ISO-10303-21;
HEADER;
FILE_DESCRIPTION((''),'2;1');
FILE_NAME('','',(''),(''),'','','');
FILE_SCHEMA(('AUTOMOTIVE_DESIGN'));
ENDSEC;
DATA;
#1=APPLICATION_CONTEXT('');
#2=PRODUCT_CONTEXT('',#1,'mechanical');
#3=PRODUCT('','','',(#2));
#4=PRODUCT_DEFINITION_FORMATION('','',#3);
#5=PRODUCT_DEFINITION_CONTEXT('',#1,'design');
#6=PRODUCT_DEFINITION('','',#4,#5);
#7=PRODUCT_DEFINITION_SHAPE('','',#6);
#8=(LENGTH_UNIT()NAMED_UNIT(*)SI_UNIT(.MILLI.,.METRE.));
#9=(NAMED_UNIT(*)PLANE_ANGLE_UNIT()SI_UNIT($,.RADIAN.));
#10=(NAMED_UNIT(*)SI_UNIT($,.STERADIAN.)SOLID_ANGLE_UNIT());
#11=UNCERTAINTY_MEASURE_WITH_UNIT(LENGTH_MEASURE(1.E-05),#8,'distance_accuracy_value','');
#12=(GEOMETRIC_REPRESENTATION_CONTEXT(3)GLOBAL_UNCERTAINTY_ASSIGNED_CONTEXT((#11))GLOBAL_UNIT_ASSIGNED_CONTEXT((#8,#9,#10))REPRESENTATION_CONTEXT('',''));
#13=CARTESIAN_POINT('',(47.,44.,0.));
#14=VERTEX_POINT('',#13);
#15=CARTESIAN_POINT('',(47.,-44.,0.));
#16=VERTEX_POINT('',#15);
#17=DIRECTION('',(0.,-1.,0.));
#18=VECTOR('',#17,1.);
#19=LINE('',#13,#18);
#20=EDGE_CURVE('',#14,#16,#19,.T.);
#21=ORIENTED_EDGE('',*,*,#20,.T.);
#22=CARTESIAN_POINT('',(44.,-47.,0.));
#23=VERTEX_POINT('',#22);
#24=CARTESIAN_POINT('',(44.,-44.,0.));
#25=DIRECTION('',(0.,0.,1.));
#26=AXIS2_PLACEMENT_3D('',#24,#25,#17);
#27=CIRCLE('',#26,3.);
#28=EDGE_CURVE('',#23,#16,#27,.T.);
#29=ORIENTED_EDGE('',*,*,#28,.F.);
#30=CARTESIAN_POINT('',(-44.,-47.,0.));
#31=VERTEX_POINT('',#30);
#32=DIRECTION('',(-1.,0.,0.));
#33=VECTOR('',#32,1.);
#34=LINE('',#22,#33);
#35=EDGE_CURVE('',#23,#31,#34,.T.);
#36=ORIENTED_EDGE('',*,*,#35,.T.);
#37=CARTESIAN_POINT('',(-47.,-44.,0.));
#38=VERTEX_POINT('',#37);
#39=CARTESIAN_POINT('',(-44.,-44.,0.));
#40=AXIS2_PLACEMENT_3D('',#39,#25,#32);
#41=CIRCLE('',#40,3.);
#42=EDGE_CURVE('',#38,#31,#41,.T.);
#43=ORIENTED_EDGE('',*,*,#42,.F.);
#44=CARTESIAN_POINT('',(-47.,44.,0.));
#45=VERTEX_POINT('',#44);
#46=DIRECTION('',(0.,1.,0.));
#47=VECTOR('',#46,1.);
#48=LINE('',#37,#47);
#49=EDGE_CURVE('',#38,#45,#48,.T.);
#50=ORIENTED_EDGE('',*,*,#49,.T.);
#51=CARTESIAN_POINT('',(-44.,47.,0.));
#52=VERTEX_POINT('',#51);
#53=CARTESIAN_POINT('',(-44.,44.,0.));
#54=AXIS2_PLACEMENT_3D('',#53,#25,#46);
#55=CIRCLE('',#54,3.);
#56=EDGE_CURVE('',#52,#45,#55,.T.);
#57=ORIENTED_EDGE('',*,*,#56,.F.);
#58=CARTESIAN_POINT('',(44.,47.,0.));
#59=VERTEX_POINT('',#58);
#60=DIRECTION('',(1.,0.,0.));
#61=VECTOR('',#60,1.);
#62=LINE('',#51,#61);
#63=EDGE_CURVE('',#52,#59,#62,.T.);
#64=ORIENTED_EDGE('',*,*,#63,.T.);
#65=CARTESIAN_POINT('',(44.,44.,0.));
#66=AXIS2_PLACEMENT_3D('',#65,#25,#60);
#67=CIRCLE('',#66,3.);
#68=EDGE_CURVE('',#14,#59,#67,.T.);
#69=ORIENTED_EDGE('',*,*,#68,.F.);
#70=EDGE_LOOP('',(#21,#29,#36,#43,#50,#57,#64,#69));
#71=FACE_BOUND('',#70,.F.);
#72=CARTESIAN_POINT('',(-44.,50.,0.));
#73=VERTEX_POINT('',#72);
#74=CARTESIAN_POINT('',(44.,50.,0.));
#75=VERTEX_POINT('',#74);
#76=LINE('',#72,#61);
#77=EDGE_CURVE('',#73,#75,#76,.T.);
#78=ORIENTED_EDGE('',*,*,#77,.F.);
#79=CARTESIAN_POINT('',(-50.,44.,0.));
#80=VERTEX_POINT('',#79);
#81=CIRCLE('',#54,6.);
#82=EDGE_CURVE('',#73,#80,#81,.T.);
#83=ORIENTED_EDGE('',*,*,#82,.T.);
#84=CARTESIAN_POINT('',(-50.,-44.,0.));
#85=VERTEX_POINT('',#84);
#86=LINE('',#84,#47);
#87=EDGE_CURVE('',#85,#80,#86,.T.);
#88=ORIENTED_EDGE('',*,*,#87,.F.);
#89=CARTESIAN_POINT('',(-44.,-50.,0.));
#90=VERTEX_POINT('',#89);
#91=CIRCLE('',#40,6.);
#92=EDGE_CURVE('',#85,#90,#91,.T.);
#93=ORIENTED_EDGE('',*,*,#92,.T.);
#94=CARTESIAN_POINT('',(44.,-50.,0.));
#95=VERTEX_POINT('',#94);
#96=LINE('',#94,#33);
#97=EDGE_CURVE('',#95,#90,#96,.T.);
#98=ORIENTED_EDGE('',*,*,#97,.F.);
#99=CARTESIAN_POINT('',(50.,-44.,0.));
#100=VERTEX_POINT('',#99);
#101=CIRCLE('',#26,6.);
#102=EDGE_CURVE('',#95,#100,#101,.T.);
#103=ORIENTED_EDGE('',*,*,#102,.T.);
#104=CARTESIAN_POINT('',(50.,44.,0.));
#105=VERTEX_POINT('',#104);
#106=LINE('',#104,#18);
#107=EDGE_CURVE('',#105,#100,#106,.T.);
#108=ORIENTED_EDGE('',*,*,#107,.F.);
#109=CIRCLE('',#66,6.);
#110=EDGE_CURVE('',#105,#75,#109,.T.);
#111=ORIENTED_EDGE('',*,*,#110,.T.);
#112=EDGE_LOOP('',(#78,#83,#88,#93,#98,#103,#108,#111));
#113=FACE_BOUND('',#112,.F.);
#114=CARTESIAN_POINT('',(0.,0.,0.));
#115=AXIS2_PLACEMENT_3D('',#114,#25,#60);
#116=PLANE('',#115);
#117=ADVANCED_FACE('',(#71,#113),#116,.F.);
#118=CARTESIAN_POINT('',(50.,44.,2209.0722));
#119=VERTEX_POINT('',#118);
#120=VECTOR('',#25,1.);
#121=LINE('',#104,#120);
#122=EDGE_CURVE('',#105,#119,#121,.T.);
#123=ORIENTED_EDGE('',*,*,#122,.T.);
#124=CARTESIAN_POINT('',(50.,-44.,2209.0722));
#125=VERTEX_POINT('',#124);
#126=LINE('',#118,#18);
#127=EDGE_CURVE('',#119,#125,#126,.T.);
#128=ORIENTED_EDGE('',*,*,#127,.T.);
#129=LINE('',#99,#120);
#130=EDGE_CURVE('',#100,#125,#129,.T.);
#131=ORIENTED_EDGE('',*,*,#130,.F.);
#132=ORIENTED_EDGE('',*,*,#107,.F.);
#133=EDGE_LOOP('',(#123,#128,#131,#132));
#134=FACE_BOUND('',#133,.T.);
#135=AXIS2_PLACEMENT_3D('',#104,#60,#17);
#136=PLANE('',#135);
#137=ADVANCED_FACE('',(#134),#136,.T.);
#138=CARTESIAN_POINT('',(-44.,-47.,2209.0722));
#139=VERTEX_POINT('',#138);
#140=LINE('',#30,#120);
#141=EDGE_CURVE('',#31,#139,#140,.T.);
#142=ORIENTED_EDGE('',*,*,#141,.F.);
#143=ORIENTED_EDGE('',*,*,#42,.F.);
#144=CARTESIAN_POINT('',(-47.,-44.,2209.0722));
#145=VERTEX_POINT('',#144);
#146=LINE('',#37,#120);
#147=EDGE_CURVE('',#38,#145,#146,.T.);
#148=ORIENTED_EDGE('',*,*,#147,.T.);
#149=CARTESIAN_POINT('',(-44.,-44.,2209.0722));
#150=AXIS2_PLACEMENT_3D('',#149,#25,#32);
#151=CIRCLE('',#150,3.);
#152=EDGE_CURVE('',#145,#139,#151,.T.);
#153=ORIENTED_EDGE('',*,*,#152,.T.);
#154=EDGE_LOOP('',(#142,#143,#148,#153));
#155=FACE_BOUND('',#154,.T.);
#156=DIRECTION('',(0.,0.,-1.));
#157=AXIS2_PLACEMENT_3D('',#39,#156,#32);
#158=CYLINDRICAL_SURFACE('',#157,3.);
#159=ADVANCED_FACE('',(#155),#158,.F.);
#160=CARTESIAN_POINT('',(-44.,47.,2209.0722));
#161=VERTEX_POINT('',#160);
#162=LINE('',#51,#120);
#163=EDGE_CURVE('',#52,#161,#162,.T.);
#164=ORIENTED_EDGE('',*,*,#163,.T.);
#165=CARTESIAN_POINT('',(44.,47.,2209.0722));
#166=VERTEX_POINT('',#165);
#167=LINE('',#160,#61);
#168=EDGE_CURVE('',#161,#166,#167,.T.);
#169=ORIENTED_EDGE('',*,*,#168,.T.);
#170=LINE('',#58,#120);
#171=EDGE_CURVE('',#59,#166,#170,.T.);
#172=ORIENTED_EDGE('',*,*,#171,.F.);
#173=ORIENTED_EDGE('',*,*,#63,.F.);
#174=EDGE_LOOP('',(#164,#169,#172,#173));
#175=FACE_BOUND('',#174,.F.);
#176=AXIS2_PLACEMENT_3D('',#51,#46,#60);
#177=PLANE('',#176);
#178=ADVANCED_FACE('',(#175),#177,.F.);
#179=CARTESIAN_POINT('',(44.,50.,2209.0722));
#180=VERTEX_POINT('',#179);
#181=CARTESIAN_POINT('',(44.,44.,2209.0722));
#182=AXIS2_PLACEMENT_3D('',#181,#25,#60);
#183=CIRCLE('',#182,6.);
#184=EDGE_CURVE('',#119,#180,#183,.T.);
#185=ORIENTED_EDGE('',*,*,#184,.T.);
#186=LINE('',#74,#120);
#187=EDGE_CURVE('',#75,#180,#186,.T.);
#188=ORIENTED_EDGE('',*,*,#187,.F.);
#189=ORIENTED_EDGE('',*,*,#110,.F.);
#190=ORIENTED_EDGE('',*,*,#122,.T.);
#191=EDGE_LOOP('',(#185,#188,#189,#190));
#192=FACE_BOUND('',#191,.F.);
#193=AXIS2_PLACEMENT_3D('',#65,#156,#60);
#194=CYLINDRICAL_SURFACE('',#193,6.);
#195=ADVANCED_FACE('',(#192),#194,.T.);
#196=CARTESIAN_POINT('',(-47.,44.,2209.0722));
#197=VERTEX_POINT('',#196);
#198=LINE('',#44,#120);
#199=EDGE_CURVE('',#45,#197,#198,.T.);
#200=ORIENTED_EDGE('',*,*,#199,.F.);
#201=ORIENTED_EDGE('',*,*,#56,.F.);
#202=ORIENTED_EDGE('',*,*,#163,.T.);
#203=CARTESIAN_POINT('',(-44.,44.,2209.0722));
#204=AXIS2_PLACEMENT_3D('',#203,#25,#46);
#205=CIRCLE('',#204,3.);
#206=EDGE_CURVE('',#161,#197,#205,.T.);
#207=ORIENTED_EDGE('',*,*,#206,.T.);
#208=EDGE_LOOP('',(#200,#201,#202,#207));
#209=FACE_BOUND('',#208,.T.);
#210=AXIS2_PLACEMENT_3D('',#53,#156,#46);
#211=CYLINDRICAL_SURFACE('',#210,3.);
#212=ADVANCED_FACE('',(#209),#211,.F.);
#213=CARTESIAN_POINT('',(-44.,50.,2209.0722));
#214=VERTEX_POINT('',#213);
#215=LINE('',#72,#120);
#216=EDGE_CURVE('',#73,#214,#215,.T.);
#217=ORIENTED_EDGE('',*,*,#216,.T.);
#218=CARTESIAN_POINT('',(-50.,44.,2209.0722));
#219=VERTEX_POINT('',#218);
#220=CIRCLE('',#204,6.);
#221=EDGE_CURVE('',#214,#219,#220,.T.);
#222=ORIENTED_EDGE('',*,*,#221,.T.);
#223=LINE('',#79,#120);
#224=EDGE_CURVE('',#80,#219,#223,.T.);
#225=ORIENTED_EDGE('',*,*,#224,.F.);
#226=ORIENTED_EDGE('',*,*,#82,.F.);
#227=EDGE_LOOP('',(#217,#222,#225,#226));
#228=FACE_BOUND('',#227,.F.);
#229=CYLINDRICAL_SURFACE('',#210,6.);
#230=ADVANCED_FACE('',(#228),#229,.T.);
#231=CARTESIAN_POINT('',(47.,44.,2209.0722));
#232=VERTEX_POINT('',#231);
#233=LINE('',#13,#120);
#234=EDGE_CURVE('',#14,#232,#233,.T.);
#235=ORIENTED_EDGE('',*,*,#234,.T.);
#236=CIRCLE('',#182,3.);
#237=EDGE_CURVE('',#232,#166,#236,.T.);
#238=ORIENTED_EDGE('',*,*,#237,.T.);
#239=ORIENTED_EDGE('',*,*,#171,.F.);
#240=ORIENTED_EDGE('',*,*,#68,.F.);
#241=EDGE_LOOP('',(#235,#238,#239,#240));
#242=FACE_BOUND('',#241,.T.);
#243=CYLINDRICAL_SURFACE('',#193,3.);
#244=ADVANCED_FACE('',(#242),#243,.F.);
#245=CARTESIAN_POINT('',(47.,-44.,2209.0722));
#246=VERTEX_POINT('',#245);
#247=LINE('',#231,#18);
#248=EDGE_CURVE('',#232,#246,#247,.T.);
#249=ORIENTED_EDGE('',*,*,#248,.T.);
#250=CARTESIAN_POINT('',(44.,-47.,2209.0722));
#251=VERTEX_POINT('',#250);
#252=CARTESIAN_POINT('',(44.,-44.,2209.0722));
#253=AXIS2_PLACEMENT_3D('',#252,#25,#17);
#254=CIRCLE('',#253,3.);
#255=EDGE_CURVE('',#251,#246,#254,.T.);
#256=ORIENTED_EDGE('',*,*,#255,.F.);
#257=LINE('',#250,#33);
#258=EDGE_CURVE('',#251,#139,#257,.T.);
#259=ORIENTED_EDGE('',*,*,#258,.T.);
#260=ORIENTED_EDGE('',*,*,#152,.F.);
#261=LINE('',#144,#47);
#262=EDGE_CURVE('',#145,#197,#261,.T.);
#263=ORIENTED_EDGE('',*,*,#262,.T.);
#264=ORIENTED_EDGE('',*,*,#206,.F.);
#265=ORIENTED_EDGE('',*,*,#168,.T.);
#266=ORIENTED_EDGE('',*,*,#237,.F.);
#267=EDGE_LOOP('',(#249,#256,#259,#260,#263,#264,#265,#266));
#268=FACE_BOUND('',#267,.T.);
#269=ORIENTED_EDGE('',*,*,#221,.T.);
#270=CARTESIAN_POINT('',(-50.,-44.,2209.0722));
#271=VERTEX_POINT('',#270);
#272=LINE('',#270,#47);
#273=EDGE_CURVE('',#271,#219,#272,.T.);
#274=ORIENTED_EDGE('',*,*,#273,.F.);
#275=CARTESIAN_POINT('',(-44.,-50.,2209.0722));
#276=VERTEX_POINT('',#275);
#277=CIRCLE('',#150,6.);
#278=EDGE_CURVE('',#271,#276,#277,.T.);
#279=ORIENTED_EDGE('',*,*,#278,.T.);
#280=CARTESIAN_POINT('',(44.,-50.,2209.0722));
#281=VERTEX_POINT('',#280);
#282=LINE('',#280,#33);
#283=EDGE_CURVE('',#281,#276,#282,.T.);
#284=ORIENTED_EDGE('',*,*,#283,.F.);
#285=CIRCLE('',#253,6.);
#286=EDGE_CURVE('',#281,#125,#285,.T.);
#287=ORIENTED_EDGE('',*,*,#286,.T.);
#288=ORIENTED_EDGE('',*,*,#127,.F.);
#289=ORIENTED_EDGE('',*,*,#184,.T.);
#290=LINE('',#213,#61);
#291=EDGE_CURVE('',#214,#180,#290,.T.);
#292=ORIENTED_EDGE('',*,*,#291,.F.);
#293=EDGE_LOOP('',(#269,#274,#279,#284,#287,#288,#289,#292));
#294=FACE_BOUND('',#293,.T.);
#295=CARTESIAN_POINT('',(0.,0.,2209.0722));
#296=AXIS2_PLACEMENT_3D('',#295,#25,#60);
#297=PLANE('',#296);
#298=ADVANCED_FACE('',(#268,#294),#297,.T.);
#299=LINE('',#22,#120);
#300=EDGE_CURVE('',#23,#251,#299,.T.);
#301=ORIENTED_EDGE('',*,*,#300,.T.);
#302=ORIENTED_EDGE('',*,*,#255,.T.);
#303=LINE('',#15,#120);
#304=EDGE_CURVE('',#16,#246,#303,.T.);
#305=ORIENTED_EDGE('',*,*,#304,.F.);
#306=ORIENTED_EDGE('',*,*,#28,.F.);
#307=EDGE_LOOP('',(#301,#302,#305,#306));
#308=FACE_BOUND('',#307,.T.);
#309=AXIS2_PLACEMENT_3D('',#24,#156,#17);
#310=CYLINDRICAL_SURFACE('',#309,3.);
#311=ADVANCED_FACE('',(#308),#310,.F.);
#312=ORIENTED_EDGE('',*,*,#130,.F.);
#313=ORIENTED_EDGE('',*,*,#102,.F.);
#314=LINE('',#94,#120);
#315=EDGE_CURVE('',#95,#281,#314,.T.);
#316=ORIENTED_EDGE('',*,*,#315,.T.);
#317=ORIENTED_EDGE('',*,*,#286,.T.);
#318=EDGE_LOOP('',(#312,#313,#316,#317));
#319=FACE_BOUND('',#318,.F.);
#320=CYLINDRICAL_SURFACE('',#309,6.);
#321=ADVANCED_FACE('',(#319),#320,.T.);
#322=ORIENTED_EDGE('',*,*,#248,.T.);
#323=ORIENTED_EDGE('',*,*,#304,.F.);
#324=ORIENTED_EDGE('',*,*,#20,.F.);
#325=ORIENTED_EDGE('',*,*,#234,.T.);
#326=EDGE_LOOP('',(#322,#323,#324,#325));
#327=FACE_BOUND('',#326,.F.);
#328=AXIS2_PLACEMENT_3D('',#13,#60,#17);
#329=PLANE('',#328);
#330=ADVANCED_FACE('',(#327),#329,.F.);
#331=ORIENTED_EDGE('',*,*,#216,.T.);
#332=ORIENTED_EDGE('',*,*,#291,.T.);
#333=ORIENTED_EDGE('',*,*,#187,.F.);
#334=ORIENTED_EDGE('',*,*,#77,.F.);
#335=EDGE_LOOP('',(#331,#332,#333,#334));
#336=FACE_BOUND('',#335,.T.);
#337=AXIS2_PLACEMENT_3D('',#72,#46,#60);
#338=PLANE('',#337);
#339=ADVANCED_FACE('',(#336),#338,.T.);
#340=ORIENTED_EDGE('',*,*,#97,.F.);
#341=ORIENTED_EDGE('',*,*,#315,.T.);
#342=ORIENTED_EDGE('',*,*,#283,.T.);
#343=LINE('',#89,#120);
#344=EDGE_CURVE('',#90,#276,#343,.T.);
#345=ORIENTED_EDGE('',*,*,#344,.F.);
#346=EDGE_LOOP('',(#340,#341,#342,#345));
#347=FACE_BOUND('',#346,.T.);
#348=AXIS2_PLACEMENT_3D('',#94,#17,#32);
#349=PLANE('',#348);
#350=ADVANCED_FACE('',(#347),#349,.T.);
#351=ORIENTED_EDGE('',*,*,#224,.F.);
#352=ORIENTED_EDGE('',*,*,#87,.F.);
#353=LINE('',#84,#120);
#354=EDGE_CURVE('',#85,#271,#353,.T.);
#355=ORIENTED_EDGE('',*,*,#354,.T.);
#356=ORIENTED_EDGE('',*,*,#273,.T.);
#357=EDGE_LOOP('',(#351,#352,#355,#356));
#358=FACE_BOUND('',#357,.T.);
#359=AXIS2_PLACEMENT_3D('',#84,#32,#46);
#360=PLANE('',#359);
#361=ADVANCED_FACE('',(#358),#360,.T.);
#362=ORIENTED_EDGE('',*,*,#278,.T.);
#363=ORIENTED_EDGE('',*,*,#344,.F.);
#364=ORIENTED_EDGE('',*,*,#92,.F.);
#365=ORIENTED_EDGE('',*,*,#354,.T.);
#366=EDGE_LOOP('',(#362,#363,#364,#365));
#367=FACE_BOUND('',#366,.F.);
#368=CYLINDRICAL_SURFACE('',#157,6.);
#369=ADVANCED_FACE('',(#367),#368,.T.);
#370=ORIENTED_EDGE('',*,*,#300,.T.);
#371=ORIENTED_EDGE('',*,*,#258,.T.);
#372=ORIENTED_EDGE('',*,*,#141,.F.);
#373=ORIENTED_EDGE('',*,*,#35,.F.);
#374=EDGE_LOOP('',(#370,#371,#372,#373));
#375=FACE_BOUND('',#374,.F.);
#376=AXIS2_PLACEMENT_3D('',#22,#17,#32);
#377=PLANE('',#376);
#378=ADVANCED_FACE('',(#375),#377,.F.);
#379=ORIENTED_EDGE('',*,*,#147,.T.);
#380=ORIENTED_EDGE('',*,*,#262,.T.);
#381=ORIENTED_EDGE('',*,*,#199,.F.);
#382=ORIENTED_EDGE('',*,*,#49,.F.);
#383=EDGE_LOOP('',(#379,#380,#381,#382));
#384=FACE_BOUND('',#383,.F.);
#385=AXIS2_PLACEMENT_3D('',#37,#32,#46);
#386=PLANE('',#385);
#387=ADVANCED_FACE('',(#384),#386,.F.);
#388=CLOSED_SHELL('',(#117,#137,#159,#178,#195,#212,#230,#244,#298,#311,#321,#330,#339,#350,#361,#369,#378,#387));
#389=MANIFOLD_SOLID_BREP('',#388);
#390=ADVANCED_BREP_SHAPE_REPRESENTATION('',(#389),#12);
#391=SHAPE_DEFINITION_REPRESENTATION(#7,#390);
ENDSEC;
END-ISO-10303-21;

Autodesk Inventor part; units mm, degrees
ref_plane "YZ Plane" through (0, 0, 0) normal (1, 0, 0) x (0, 1, 0)
ref_plane "Start Plane" through (0, 0, 0) normal (0, 0, 1) x (1, 0, 0)
ref_plane "End Plane" through (0, 0, 2209.0722) normal (0, 0, 1) x (1, 0, 0)
sketch "Sketch" plane through (0, 0, 0) normal (0, 0, 1) x (1, 0, 0)
  line L0 (-50, -44) -> (-50, 44)
  line L1 (-44, 50) -> (44, 50)
  line L2 (50, 44) -> (50, -44)
  line L3 (44, -50) -> (-44, -50)
  arc A0 (-50, -44) -> (-44, -50) centre (-44, -44) ccw
  arc A1 (50, 44) -> (44, 50) centre (44, 44) ccw
  arc A2 (-44, 50) -> (-50, 44) centre (-44, 44) ccw
  arc A3 (44, -50) -> (50, -44) centre (44, -44) ccw
  arc A4 (-44, 47) -> (-47, 44) centre (-44, 44) ccw
  line L4 (-44, 47) -> (44, 47)
  arc A5 (47, 44) -> (44, 47) centre (44, 44) ccw
  line L5 (47, 44) -> (47, -44)
  arc A6 (44, -47) -> (47, -44) centre (44, -44) ccw
  line L6 (44, -47) -> (-44, -47)
  arc A7 (-47, -44) -> (-44, -47) centre (-44, -44) ccw
  line L7 (-47, -44) -> (-47, 44)
  line L8 (0, 71.7397) -> (0, -71.7397) construction
  line L9 (-71.7397, 0) -> (71.7397, 0) construction
  dimension "d7" = 6
  dimension "d9" = 100
  dimension "d11" = 100
  dimension "d12" = 3
  dimension "d15" = 50
  dimension "d16" = 50
extrude "Body" add sketch "Sketch" along normal up to surface (2209.0722 mm away) from surface at 0
sketch "Sketch3" plane through (0, 0, 0) normal (0, 0, 1) x (1, 0, 0)
  line L0 (0, 0) -> (10, 0)
ref_plane "Work Plane3" through (0, 0, 0) normal (0, -1, 0) x (1, 0, 0)
sketch "Sketch4" plane through (0, 0, 0) normal (0, -1, 0) x (1, 0, 0)
  line L0 (-2, 0) -> (12, 0) projected
  line L1 (-2, 2209.0722) -> (12, 2209.0722) projected
  dimension "d18" = 2209.0722
equation "\"d7\" = G_IR"
equation "\"d9\" = G_W"
equation "\"d11\" = G_H"
equation "\"d12\" = G_T"
equation "\"d15\" = 0.5 * d9"
equation "\"d16\" = 0.5 * d11"
equation "\"d3\" = G_L"
equation "\"G_W\" = 100"
equation "\"G_H\" = 100"
equation "\"G_T\" = 3"
equation "\"G_IR\" = 6"
equation "\"G_L\" = d18"
equation "\"G_OFFSET_START\" = 0"
equation "\"G_OFFSET_END\" = 0"
equation "\"d14\" = G_OFFSET_END + B_L"
equation "\"B_L\" = 2209.0722"
properties part number "ISO 10799-2 - 100x100x3 - 2209,07" material "Steel, Mild"
